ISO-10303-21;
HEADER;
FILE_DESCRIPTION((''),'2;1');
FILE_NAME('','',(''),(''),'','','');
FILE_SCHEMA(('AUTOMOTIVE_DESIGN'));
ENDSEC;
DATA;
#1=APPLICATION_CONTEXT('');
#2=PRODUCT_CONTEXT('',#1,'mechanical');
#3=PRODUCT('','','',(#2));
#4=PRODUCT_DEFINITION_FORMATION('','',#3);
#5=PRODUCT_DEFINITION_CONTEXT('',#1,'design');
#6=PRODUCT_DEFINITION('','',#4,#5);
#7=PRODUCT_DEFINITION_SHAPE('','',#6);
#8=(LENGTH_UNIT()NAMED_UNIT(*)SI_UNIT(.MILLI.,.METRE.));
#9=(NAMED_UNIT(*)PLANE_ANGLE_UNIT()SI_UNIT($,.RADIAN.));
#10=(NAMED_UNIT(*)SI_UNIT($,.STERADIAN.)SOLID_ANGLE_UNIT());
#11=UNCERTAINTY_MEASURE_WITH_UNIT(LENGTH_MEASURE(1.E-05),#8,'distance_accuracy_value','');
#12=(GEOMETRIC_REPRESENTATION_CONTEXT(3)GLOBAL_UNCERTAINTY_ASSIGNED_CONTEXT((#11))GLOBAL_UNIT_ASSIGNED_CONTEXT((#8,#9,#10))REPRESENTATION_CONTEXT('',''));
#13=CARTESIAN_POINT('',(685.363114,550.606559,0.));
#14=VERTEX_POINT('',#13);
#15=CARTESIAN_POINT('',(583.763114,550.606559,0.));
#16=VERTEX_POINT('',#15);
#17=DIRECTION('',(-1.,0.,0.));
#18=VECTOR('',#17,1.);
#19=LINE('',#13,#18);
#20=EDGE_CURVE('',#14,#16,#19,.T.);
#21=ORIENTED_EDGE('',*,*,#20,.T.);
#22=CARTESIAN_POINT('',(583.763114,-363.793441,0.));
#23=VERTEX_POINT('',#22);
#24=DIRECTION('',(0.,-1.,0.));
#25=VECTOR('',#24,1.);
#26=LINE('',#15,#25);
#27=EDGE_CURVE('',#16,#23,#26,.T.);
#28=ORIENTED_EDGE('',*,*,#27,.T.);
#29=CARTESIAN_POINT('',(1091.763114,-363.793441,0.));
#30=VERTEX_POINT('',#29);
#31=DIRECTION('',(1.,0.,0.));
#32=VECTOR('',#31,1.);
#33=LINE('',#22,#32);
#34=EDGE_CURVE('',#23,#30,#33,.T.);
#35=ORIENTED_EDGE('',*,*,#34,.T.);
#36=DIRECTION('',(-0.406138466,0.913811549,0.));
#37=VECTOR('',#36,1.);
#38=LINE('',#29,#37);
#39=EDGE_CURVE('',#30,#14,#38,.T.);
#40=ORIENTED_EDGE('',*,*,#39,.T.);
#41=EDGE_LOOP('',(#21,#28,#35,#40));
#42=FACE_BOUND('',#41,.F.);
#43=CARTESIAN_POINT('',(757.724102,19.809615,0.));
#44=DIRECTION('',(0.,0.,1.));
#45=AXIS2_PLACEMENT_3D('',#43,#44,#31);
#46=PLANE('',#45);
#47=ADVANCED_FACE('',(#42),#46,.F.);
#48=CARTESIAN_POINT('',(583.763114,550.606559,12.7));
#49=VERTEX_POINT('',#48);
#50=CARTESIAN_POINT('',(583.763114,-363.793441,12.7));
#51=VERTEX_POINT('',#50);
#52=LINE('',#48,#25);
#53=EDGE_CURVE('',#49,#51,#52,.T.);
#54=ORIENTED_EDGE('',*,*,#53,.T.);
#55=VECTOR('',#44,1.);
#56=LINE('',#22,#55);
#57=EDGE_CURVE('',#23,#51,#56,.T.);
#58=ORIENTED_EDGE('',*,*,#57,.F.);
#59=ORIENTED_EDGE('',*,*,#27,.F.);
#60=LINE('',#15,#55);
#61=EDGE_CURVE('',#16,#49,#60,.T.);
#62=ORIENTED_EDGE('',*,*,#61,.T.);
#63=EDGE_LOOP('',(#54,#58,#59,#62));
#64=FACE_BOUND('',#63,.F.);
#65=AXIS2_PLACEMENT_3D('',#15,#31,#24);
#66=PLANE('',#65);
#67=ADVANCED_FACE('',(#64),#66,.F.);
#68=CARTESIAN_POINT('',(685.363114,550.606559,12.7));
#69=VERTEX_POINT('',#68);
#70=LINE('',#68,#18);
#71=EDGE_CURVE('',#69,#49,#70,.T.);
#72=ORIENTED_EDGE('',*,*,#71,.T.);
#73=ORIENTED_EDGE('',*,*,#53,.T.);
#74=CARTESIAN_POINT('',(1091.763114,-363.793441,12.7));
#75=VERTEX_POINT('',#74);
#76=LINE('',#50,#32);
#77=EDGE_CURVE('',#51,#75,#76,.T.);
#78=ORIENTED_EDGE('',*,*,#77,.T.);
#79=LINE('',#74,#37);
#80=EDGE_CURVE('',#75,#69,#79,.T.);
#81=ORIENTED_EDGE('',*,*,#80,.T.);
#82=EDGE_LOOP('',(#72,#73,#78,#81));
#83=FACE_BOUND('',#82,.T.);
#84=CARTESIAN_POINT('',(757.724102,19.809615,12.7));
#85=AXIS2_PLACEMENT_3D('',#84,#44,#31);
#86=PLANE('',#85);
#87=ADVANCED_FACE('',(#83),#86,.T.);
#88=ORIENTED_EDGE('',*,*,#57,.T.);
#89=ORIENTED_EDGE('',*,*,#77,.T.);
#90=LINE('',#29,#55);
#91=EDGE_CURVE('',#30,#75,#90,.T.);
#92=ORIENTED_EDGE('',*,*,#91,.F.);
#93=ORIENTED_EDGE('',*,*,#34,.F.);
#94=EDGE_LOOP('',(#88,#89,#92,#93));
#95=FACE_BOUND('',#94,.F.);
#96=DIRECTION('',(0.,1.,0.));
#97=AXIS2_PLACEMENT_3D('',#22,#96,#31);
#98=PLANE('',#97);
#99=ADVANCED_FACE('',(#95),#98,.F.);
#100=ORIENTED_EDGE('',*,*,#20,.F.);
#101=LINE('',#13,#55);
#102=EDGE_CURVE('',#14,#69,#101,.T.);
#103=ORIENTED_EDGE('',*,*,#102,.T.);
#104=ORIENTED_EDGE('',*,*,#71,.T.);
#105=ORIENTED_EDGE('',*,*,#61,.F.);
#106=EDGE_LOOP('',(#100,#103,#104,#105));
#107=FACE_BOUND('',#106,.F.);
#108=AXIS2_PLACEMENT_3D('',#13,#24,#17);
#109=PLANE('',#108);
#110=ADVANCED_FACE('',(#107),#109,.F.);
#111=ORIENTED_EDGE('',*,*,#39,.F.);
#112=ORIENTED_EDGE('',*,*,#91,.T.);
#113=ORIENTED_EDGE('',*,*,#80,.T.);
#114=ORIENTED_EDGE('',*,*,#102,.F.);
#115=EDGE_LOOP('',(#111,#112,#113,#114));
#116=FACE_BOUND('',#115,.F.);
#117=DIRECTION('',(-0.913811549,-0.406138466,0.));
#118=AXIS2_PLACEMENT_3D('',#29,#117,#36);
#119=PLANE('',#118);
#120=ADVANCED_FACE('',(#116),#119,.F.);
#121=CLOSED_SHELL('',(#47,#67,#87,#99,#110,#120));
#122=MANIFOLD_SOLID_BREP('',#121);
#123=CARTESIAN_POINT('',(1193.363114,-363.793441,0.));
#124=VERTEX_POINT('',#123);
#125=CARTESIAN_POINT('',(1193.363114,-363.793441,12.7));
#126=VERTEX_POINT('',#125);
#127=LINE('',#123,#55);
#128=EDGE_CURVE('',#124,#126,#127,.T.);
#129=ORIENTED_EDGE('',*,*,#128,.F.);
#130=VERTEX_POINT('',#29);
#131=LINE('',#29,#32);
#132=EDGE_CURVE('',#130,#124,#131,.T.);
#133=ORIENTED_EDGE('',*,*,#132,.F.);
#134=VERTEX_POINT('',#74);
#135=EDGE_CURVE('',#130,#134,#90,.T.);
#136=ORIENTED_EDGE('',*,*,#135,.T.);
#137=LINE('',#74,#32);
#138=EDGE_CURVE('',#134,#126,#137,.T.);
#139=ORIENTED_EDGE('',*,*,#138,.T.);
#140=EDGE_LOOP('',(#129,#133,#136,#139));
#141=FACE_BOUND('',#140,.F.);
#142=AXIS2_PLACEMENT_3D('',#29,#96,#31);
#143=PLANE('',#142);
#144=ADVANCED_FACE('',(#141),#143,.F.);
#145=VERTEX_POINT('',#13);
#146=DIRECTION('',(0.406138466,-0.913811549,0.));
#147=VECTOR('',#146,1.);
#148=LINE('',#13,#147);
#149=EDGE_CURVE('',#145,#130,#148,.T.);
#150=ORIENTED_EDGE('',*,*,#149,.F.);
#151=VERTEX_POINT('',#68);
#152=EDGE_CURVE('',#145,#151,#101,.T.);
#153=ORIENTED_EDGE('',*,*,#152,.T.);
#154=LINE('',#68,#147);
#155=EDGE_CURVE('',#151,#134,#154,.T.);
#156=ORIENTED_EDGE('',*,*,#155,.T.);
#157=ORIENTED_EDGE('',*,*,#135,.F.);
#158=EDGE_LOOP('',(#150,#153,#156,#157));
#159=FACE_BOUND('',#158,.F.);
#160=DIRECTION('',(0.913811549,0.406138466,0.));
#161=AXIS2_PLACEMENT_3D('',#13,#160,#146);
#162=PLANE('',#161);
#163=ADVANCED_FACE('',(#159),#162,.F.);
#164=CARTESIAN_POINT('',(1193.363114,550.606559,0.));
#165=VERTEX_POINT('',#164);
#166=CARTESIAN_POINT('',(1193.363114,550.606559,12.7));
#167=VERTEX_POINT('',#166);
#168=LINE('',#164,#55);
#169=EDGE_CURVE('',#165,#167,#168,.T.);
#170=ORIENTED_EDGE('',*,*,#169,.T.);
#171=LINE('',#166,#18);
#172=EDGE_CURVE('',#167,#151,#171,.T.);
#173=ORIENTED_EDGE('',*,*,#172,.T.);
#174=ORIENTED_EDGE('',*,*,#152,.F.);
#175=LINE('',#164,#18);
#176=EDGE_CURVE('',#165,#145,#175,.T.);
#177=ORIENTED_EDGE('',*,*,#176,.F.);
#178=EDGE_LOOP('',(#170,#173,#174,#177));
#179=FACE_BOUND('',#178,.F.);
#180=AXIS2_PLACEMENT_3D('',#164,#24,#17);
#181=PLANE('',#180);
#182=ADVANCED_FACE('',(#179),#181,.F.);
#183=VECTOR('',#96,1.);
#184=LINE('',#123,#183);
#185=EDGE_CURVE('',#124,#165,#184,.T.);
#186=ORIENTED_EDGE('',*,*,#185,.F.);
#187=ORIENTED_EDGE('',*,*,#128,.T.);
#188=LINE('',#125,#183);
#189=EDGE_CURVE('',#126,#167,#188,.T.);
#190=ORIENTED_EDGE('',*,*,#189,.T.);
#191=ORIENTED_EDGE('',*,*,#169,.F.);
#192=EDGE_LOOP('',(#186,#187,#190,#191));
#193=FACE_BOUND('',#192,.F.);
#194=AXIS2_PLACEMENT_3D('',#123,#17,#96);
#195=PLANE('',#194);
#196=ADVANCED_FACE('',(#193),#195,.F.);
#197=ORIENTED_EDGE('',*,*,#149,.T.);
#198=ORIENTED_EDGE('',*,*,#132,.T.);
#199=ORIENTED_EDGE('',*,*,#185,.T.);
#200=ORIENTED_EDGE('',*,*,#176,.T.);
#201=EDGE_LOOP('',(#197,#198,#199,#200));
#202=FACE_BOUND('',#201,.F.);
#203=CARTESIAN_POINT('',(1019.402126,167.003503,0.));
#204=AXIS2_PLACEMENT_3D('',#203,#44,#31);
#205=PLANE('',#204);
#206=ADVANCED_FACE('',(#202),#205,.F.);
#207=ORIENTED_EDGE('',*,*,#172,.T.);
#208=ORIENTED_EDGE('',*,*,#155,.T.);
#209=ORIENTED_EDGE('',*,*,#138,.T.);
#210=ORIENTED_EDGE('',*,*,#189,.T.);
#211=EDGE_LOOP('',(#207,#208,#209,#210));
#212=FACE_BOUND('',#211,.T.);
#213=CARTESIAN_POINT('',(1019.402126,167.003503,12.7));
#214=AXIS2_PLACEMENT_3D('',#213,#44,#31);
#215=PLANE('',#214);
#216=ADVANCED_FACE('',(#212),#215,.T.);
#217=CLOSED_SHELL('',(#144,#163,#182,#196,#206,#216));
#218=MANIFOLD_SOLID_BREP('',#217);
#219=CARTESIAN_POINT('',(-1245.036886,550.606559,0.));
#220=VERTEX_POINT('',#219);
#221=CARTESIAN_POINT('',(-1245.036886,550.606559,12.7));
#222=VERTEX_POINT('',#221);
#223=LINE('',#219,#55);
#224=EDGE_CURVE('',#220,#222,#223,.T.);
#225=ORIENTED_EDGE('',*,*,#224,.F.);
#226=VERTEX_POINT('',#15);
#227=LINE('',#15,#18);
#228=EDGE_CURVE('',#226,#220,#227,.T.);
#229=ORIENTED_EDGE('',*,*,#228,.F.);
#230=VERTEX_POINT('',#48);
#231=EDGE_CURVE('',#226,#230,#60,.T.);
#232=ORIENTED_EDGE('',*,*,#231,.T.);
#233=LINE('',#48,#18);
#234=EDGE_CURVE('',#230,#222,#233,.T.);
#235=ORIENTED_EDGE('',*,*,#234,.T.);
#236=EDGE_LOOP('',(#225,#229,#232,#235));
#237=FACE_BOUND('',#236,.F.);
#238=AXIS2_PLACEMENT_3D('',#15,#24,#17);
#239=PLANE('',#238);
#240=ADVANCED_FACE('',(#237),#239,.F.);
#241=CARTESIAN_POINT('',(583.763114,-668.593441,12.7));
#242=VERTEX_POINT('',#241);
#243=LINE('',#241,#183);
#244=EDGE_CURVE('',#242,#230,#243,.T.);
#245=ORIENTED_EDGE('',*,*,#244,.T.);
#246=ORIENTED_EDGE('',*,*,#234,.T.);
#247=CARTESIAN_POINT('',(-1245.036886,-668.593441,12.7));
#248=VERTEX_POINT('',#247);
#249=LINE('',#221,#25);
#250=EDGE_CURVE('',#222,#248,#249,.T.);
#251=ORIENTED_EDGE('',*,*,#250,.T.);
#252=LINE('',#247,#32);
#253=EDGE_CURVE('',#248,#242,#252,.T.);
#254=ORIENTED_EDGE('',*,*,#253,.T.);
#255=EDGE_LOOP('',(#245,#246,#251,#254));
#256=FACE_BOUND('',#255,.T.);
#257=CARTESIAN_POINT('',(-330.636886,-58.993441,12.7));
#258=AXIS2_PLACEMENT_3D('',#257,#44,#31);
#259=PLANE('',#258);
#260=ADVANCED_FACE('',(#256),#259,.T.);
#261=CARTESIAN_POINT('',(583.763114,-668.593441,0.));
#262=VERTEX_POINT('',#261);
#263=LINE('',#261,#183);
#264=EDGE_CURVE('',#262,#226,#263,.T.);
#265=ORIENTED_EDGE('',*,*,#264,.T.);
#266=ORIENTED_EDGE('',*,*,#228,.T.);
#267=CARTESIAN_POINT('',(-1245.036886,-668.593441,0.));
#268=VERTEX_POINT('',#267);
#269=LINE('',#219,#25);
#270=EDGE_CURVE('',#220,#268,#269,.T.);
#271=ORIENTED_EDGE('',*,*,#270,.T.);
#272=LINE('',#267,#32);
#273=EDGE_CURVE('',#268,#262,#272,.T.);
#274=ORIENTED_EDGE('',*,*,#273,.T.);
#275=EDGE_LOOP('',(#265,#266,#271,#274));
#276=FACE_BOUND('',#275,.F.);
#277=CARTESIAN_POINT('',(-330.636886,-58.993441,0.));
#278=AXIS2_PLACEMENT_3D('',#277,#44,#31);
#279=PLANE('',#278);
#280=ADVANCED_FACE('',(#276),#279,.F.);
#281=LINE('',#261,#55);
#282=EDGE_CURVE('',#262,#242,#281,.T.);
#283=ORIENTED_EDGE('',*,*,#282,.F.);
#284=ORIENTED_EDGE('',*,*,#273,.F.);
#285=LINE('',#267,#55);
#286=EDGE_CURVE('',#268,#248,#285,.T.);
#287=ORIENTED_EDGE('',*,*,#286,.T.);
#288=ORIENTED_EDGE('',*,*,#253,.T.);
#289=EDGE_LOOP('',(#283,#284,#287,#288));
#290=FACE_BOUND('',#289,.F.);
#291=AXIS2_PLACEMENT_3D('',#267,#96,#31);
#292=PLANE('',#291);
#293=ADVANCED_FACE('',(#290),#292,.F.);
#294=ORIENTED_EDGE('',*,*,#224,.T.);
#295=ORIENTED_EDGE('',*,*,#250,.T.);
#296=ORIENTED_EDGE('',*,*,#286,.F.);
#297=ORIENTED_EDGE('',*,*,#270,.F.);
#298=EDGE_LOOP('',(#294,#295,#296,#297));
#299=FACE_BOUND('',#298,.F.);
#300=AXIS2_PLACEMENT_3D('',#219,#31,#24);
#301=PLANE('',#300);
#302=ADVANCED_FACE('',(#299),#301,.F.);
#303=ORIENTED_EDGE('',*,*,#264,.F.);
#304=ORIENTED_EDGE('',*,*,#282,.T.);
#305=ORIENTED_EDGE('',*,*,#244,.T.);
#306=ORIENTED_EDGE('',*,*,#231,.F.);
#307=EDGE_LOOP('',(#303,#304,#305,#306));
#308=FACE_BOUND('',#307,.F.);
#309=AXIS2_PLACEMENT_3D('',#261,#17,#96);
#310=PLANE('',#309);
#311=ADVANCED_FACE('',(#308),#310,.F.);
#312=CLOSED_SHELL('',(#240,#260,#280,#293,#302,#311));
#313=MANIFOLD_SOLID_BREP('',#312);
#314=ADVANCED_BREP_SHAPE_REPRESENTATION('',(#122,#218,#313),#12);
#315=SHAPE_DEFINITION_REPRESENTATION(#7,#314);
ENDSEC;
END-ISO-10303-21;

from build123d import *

# Parameters (mm, degrees)
F1_DEPTH = 12.7
F2_DEPTH = 12.7
F3_DEPTH = 12.7


with BuildPart() as f1:
    # F0 (on Top) → F1 (new body)
    with BuildSketch(Plane.XY):
        Polygon((583.763114, 550.606559), (-1245.036886, 550.606559), (-1245.036886, -668.593441), (583.763114, -668.593441), (583.763114, -363.793441), align=None)
    extrude(amount=F1_DEPTH)


with BuildPart() as f2:
    # F0 (on Top) → F2 (new body)
    with BuildSketch(Plane.XY):
        Polygon((1193.363114, 550.606559), (685.363114, 550.606559), (1091.763114, -363.793441), (1193.363114, -363.793441), align=None)
    extrude(amount=F2_DEPTH)


with BuildPart() as f3:
    # F0 (on Top) → F3 (new body)
    with BuildSketch(Plane.XY):
        Polygon((685.363114, 550.606559), (583.763114, 550.606559), (583.763114, -363.793441), (1091.763114, -363.793441), align=None)
    extrude(amount=F3_DEPTH)


solid = Compound([f1.part, f2.part, f3.part])
